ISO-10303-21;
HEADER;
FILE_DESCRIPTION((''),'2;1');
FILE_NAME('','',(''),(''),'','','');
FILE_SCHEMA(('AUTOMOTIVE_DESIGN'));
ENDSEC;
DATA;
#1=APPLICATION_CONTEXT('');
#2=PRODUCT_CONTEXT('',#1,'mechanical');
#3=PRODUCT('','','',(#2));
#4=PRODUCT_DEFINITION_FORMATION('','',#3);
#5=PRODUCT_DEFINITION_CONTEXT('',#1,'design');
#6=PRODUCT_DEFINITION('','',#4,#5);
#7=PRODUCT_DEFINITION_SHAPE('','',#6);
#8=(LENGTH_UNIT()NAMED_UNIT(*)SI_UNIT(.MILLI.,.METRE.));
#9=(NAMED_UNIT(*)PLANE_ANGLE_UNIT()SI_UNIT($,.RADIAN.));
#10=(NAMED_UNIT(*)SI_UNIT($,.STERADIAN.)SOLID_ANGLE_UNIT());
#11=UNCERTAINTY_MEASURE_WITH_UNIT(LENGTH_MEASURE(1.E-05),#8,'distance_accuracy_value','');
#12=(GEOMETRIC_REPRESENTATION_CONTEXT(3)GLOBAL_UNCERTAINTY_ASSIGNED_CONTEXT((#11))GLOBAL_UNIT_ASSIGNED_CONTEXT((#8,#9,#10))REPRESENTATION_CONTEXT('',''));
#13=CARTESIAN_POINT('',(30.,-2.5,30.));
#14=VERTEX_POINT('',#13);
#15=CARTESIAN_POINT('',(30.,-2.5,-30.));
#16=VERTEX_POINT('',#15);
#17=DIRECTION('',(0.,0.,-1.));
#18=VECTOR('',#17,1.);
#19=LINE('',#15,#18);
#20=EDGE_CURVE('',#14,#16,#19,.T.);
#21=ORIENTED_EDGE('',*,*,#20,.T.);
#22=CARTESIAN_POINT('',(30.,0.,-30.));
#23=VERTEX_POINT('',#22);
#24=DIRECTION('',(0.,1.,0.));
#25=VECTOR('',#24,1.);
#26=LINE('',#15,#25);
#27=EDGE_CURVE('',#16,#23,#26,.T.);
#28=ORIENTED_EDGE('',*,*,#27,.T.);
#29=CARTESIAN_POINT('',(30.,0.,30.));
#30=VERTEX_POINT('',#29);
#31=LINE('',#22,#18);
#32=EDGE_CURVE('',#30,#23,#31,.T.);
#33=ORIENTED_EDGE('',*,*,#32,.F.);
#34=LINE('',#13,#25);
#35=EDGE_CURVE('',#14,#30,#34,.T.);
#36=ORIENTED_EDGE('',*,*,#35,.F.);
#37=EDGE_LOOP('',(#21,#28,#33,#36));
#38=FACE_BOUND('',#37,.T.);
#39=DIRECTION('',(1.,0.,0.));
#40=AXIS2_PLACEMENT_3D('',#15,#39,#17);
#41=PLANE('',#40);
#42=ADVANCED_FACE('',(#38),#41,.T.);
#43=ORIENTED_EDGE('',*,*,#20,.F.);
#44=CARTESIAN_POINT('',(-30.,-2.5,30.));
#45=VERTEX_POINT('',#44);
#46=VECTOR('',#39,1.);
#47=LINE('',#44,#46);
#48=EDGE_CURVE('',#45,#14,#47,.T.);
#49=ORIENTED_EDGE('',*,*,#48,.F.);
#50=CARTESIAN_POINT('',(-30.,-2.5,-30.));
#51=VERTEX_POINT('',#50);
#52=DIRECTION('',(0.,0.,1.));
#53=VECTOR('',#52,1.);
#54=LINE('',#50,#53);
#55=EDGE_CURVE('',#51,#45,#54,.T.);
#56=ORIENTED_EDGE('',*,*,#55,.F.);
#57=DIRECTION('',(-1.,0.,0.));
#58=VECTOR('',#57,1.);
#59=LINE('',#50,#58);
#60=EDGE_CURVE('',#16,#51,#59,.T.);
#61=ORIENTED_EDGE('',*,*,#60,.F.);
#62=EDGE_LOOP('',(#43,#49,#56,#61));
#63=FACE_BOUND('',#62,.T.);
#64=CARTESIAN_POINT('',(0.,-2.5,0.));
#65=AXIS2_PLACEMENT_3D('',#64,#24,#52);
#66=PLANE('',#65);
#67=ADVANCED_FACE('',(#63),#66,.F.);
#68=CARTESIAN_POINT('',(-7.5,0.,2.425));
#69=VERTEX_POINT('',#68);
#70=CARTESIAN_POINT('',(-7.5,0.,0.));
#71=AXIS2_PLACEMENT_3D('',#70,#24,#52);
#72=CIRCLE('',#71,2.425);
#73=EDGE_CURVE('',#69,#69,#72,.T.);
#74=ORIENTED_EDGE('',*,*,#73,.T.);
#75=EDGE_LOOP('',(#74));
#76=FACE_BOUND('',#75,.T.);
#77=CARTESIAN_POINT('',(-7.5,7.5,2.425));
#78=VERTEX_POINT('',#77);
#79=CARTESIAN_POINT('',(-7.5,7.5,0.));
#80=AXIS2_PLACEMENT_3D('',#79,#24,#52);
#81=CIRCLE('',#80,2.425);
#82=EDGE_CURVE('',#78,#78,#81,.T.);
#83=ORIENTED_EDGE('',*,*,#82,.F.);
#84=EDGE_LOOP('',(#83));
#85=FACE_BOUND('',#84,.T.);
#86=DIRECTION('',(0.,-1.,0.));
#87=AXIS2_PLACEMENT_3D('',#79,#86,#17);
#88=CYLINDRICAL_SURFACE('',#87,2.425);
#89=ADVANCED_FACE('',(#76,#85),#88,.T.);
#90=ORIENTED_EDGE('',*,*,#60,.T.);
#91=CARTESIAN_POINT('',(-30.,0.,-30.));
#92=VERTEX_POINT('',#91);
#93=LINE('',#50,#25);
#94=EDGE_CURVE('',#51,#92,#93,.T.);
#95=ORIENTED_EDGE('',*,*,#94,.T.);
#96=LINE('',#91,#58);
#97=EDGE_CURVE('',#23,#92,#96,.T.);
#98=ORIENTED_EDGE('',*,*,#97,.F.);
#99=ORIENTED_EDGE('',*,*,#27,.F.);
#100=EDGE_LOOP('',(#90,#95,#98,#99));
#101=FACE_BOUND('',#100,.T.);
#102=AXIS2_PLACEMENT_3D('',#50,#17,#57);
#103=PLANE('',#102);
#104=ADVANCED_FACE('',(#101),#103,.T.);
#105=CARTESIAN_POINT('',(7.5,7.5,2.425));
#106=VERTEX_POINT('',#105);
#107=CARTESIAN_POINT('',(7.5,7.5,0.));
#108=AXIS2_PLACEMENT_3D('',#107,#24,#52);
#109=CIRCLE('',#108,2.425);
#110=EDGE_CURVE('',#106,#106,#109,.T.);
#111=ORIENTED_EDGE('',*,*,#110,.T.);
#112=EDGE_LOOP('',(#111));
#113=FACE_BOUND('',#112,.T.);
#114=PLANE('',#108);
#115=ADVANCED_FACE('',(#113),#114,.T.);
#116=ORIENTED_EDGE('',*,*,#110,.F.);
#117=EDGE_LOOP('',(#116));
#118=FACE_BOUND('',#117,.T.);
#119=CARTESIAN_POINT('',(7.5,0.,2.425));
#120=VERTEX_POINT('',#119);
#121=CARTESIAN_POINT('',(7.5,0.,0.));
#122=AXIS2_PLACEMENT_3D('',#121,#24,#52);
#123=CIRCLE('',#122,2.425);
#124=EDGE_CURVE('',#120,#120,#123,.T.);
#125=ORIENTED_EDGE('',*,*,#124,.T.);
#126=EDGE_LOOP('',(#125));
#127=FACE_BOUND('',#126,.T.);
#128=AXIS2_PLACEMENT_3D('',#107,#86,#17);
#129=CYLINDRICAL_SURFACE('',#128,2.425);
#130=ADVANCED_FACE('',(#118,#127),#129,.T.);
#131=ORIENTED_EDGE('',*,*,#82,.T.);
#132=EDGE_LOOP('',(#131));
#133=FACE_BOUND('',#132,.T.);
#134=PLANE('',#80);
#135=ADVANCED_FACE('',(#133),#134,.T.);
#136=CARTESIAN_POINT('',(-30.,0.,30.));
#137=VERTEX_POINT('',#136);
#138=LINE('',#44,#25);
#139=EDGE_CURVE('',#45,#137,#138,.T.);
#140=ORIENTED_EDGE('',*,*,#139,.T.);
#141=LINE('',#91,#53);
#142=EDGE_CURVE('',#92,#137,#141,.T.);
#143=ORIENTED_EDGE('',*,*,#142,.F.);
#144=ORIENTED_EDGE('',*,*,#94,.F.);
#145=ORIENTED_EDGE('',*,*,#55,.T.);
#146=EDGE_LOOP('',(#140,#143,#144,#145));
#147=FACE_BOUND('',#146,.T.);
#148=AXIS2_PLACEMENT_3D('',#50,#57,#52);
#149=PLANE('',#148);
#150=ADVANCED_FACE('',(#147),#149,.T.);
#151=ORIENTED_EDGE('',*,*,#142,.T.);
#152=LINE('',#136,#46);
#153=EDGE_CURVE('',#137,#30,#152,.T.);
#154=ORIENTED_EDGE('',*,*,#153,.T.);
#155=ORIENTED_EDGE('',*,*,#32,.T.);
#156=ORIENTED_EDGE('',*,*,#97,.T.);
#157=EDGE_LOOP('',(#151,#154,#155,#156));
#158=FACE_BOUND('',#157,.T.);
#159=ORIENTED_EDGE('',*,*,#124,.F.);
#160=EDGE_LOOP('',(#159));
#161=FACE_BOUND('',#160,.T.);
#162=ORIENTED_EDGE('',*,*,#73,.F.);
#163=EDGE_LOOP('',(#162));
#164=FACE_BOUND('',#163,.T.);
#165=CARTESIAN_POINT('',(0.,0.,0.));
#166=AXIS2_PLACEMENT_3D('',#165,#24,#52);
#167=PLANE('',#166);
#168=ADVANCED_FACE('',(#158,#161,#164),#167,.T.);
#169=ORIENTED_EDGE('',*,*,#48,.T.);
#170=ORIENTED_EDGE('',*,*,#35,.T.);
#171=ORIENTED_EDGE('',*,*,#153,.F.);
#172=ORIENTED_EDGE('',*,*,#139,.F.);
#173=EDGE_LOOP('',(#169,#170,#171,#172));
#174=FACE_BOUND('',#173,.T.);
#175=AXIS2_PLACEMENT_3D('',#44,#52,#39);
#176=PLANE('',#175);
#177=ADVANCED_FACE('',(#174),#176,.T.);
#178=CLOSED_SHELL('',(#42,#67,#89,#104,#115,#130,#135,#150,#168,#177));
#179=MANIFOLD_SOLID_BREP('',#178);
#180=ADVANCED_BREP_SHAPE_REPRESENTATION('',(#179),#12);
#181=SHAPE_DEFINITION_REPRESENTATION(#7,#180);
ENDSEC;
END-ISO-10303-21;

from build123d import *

# Parameters (mm, degrees)
SKETCH1_R             = 2.425
BOSS_EXTRUDE1_DEPTH   = 7.5
BOSS_EXTRUDE1_2_DEPTH = 7.5
SKETCH2_W             = 60
SKETCH2_H             = 60
BOSS_EXTRUDE2_DEPTH   = 2.5


with BuildPart() as part:
    # Sketch1 → Boss-Extrude1 (new body)
    with BuildSketch(Plane(origin=(0, 0, 0), x_dir=(1, 0, 0), z_dir=(0, 1, 0))):
        with Locations(Location((-7.5, 0, 0), (0, 0, 270))):
            Circle(SKETCH1_R)
    extrude(amount=BOSS_EXTRUDE1_DEPTH)



with BuildPart() as body_2:
    # Sketch1 → Boss-Extrude1 2 (new body)
    with BuildSketch(Plane(origin=(0, 0, 0), x_dir=(1, 0, 0), z_dir=(0, 1, 0))):
        with Locations(Location((7.5, 0, 0), (0, 0, 270))):
            Circle(SKETCH1_R)
    extrude(amount=BOSS_EXTRUDE1_2_DEPTH)


with BuildPart() as part_1:
    add(part.part)

    add(body_2.part)  # Boss-Extrude2 merges body 2
    # Sketch2 → Boss-Extrude2 (add)
    with BuildSketch(Plane(origin=(0, 0, 0), x_dir=(1, 0, 0), z_dir=(0, 1, 0))):
        Rectangle(SKETCH2_W, SKETCH2_H)
    extrude(amount=-BOSS_EXTRUDE2_DEPTH)


solid = part_1.part
